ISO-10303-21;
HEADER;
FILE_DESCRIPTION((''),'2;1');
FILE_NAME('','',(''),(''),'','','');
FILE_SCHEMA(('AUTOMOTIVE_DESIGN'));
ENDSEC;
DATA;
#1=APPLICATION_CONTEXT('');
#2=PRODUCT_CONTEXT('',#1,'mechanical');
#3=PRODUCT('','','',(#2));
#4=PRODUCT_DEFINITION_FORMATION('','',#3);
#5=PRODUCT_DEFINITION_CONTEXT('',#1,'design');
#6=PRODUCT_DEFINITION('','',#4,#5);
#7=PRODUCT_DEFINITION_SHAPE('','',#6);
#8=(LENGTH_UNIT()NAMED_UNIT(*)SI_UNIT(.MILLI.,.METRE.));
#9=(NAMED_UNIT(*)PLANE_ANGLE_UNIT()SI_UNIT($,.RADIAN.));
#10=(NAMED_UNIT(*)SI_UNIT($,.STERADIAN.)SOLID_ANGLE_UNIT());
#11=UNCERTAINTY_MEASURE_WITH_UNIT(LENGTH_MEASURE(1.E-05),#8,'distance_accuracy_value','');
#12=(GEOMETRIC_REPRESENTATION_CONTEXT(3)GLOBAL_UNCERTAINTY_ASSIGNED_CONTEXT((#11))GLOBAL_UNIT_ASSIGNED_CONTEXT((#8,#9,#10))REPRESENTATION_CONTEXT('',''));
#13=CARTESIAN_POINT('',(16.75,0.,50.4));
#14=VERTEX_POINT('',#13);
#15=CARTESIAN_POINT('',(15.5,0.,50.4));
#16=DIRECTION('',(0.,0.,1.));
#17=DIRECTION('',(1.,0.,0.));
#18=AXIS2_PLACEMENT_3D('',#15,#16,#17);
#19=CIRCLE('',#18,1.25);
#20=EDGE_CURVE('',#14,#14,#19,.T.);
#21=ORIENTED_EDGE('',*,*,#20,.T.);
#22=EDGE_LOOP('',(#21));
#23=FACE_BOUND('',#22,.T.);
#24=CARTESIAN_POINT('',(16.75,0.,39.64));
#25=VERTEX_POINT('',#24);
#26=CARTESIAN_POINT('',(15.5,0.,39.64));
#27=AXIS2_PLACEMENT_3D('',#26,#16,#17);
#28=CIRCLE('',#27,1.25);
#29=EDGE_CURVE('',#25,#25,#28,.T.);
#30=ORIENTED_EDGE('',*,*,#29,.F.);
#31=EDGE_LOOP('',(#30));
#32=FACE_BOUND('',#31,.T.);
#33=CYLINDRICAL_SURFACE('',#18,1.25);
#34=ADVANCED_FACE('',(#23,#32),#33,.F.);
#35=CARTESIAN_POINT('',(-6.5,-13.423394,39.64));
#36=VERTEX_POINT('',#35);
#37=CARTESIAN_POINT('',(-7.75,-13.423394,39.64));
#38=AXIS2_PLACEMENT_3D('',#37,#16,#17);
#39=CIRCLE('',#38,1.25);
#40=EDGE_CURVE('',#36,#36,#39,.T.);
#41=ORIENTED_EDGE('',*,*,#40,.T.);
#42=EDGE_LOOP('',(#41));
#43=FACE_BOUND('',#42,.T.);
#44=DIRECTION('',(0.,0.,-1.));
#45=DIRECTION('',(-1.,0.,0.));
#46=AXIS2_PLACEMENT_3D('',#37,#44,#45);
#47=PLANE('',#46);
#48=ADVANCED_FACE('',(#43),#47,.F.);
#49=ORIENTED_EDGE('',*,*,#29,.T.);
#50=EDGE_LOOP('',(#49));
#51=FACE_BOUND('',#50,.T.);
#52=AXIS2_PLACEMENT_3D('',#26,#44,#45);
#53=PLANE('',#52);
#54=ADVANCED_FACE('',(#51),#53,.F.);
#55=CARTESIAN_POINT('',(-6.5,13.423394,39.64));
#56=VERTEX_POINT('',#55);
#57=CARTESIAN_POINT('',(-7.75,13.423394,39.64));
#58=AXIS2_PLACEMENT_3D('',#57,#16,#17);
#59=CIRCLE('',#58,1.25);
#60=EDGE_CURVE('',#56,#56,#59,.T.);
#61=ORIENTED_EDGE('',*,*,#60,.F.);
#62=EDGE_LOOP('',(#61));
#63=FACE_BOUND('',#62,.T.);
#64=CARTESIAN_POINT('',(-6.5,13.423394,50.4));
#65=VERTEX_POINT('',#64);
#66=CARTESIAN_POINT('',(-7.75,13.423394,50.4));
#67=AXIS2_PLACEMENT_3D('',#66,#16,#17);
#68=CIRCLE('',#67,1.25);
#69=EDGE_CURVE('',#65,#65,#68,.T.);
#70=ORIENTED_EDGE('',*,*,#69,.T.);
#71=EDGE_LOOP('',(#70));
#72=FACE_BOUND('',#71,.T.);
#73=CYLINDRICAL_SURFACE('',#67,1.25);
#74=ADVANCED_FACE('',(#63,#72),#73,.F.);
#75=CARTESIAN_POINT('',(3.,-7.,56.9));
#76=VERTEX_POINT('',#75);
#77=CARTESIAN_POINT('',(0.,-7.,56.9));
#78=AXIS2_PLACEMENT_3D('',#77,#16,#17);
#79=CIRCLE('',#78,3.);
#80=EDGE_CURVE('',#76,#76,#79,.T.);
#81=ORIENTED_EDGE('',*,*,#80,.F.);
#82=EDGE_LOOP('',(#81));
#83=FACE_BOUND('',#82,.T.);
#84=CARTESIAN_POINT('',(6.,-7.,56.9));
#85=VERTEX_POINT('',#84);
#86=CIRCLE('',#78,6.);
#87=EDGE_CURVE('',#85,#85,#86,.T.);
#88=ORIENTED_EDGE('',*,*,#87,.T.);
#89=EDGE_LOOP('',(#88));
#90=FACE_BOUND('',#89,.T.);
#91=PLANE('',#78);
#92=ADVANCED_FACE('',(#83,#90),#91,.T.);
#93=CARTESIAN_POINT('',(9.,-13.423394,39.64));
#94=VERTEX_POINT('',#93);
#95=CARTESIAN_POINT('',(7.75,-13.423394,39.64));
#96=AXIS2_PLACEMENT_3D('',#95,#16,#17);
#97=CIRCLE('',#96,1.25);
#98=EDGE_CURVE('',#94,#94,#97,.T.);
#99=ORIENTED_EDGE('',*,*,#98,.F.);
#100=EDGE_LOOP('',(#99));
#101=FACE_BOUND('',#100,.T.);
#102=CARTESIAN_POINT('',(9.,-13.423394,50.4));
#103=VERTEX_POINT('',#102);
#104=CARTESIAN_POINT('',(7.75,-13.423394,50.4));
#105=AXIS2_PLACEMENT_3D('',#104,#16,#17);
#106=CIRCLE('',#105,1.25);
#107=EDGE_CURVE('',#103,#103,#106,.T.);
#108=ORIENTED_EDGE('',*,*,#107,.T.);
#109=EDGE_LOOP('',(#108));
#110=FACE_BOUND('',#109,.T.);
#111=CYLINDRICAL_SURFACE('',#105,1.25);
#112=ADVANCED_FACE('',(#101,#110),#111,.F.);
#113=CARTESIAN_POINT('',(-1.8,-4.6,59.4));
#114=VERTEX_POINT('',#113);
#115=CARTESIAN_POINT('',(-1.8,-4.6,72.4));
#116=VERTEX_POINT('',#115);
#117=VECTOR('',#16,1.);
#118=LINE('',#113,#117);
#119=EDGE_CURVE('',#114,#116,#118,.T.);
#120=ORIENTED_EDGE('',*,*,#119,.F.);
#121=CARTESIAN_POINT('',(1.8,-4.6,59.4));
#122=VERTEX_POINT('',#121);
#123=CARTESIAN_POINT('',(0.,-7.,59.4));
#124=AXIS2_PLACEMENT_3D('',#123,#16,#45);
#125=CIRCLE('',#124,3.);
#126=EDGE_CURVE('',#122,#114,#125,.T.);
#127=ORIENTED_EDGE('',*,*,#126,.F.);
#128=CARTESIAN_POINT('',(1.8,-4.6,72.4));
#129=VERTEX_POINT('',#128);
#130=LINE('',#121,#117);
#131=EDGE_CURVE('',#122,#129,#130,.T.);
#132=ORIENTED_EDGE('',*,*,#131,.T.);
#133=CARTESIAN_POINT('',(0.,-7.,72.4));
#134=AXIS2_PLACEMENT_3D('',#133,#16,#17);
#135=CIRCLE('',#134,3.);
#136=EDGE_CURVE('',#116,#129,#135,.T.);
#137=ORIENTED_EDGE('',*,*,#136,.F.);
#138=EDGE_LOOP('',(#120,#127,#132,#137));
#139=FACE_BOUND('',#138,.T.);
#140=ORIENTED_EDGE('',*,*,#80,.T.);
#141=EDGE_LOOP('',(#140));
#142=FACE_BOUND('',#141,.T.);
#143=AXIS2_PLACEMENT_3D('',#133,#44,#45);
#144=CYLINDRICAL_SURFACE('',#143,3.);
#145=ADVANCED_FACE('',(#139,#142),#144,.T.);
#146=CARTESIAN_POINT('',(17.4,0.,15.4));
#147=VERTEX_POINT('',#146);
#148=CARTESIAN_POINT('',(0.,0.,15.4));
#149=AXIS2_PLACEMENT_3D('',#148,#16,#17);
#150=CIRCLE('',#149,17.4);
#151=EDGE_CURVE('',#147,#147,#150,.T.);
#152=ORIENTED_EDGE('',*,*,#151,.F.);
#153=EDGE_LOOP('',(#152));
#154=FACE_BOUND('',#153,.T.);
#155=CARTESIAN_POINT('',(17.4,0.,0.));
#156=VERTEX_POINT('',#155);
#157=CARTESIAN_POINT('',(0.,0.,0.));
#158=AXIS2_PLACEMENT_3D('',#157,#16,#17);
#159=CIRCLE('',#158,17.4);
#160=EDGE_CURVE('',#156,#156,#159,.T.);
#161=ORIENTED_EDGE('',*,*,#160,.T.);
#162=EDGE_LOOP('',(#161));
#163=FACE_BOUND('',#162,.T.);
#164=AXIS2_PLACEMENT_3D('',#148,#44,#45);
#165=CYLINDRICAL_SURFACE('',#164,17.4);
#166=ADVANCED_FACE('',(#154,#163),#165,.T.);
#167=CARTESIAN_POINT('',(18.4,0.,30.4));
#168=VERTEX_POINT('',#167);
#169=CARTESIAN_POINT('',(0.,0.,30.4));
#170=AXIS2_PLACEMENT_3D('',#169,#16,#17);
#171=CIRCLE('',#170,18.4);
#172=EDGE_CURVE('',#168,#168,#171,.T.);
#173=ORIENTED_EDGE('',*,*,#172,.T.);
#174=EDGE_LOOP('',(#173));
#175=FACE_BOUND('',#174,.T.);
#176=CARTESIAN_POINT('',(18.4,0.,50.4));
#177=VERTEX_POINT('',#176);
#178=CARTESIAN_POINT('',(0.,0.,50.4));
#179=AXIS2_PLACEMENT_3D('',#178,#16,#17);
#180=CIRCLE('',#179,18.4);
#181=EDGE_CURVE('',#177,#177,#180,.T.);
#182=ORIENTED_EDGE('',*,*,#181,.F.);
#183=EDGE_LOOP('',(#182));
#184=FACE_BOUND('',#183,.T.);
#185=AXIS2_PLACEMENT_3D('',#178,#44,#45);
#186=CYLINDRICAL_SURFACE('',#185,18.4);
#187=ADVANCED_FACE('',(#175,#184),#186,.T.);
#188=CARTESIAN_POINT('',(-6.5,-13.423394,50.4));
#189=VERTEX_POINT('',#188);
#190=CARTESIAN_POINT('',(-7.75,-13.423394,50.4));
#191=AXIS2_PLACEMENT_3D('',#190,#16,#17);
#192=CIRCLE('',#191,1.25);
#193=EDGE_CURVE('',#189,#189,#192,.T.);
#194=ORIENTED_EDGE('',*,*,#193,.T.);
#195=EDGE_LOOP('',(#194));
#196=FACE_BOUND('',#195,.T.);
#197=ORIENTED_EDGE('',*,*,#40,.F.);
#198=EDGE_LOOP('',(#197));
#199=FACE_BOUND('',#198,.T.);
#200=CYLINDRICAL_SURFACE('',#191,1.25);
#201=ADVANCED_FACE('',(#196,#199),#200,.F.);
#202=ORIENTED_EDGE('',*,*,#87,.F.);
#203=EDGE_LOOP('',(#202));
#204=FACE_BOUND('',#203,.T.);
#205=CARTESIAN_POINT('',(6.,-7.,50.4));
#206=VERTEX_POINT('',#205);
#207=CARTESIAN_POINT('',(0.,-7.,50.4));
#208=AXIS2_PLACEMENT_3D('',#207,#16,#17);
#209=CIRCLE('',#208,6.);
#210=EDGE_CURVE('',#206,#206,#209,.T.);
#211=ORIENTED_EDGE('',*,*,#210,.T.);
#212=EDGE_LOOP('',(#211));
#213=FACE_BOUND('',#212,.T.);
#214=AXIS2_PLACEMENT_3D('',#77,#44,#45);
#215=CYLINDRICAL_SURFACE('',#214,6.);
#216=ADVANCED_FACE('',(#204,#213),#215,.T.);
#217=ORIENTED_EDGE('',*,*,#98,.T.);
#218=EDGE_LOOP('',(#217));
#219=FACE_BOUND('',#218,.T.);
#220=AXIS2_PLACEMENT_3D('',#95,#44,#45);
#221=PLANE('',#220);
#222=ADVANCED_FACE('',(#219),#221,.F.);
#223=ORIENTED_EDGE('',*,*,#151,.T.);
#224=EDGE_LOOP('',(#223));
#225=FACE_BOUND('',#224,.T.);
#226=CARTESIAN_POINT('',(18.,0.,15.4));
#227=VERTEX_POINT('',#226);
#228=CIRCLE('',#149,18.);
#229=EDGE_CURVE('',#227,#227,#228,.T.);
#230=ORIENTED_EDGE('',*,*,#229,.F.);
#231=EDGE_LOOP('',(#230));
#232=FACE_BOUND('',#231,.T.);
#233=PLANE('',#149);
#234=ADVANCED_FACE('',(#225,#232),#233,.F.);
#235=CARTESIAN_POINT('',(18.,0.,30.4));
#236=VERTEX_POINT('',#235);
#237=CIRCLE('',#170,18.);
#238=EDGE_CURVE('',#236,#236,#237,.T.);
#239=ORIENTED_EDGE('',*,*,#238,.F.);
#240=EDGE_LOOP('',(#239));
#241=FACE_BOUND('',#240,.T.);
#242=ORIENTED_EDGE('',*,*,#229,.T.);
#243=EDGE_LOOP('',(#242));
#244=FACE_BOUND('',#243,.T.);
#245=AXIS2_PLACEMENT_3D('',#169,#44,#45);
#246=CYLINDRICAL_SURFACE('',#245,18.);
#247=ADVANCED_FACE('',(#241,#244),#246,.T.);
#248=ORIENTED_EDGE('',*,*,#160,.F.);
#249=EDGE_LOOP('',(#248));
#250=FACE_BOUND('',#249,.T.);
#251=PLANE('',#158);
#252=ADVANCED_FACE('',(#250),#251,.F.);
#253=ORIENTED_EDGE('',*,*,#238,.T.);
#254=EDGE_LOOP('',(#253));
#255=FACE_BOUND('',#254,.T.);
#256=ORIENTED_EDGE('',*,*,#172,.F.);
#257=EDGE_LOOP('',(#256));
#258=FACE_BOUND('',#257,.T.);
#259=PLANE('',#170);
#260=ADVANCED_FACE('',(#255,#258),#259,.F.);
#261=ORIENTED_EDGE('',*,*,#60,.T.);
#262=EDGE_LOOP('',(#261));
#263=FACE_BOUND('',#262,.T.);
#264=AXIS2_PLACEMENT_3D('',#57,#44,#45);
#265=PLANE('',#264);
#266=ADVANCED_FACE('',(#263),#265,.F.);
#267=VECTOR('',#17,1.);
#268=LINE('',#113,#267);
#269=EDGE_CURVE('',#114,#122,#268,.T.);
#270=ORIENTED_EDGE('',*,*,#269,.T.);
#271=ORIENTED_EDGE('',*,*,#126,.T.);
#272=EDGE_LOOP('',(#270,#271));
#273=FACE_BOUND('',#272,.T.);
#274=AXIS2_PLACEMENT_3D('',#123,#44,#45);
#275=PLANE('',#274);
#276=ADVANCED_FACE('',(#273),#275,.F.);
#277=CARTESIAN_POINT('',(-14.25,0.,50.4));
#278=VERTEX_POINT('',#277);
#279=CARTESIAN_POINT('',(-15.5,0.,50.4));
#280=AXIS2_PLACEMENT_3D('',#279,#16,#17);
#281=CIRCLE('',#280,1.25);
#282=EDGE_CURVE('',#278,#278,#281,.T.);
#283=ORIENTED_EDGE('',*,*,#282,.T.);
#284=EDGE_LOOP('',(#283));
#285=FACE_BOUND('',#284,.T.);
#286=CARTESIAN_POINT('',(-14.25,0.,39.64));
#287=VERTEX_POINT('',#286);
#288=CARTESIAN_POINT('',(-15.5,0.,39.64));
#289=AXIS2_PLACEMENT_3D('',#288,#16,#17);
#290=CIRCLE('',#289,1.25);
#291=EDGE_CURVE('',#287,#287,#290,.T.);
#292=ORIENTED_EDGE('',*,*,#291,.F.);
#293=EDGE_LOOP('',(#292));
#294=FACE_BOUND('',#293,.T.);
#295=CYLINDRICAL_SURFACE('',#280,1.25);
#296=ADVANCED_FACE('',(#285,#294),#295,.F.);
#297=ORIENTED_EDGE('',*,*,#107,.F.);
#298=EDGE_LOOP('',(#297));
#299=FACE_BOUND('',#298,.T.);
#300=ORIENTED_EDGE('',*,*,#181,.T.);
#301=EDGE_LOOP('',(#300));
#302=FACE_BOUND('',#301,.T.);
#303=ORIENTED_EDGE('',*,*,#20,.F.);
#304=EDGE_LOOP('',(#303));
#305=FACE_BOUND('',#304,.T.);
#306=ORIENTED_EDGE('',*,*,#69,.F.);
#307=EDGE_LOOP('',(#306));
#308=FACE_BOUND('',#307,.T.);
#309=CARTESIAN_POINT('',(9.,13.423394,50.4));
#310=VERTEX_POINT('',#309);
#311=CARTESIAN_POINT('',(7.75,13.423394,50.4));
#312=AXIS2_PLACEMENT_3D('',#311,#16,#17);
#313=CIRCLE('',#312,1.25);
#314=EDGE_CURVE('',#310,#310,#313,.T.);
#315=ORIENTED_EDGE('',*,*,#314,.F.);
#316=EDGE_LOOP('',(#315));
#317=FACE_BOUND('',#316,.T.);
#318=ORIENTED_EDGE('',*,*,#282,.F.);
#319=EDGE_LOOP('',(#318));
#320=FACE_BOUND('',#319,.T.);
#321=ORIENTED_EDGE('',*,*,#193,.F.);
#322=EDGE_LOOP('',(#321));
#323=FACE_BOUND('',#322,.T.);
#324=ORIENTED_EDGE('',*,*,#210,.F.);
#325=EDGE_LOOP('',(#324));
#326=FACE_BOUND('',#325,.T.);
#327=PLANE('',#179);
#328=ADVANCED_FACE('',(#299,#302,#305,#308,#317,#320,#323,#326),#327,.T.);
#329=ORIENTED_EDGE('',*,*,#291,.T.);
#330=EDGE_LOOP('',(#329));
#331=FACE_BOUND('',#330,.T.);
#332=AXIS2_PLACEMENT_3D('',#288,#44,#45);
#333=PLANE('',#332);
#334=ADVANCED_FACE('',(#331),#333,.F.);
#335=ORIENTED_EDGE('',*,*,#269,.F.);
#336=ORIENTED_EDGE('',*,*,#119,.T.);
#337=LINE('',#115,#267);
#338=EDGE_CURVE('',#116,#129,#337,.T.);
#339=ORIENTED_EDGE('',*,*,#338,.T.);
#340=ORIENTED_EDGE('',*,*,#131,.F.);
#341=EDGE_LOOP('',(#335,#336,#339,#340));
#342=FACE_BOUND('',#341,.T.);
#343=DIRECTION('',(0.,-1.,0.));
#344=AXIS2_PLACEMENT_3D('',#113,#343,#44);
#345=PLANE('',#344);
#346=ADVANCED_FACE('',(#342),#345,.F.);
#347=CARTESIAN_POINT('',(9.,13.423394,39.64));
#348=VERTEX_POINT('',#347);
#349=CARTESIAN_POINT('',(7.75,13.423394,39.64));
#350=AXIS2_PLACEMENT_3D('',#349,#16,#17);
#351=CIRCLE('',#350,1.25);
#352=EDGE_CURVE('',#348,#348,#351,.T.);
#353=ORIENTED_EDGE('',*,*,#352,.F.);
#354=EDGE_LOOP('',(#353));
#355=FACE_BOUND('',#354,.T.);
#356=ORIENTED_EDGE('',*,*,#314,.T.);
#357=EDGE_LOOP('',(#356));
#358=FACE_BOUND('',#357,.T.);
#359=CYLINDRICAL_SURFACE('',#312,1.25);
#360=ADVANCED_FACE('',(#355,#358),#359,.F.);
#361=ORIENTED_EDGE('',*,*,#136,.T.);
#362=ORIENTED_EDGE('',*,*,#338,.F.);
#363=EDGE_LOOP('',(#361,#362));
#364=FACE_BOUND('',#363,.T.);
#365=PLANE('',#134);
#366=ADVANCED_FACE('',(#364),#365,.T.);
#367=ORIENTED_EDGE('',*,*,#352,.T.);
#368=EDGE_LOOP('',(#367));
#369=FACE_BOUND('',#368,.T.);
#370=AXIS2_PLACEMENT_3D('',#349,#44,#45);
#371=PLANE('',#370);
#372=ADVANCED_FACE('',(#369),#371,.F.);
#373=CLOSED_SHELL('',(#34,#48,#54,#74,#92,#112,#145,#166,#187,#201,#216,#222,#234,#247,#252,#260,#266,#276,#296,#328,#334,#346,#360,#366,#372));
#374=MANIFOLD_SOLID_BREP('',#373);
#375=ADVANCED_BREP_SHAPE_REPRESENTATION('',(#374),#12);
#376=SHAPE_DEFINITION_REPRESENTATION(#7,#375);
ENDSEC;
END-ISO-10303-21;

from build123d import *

# Parameters (mm, degrees)
SKETCH1_R                       = 17.4
BOSS_EXTRUDE1_DEPTH             = 15.4
SKETCH2_R                       = 18
BOSS_EXTRUDE2_DEPTH             = 15
SKETCH3_R                       = 18.4
BOSS_EXTRUDE3_DEPTH             = 20
SKETCH4_R                       = 6
BOSS_EXTRUDE4_DEPTH             = 6.5
SKETCH5_R                       = 3
BOSS_EXTRUDE5_DEPTH             = 15.5
CUT_EXTRUDE1_DEPTH              = 13
TAP_DRILL_FOR_M3X0_5_TAP1_D     = 2.5
TAP_DRILL_FOR_M3X0_5_TAP1_DEPTH = 10.76


with BuildPart() as part:
    # Sketch1 → Boss-Extrude1 (new body)
    with BuildSketch(Plane.XY):
        Circle(SKETCH1_R)
    extrude(amount=BOSS_EXTRUDE1_DEPTH)

    # Sketch2 → Boss-Extrude2 (add)
    with BuildSketch(Plane.XY.offset(15.4)):
        Circle(SKETCH2_R)
    extrude(amount=BOSS_EXTRUDE2_DEPTH)

    # Sketch3 → Boss-Extrude3 (add)
    with BuildSketch(Plane.XY.offset(30.4)):
        Circle(SKETCH3_R)
    extrude(amount=BOSS_EXTRUDE3_DEPTH)

    # Sketch4 → Boss-Extrude4 (add)
    with BuildSketch(Plane.XY.offset(50.4)):
        with Locations((0, -7)):
            Circle(SKETCH4_R)
    extrude(amount=BOSS_EXTRUDE4_DEPTH)

    # Sketch5 → Boss-Extrude5 (add)
    with BuildSketch(Plane.XY.offset(56.9)):
        with Locations((0, -7)):
            Circle(SKETCH5_R)
    extrude(amount=BOSS_EXTRUDE5_DEPTH)

    # Sketch6 → Cut-Extrude1 (cut)
    with BuildSketch(Plane.XY.offset(72.4)):
        with BuildLine():
            Line((-1.8, -4.6), (1.8, -4.6))
            ThreePointArc((1.8, -4.6), (0, -4), (-1.8, -4.6))
        make_face()
    extrude(amount=-CUT_EXTRUDE1_DEPTH, mode=Mode.SUBTRACT)

    # Tap Drill for M3x0.5 Tap1
    with Locations(Plane.XY.offset(50.4)):
        with Locations((-15.5, 0), (-7.75, 13.423393759), (7.75, 13.423393759), (15.5, 0), (7.75, -13.423393759), (-7.75, -13.423393759)):
            Hole(TAP_DRILL_FOR_M3X0_5_TAP1_D / 2, depth=TAP_DRILL_FOR_M3X0_5_TAP1_DEPTH)


solid = part.part
